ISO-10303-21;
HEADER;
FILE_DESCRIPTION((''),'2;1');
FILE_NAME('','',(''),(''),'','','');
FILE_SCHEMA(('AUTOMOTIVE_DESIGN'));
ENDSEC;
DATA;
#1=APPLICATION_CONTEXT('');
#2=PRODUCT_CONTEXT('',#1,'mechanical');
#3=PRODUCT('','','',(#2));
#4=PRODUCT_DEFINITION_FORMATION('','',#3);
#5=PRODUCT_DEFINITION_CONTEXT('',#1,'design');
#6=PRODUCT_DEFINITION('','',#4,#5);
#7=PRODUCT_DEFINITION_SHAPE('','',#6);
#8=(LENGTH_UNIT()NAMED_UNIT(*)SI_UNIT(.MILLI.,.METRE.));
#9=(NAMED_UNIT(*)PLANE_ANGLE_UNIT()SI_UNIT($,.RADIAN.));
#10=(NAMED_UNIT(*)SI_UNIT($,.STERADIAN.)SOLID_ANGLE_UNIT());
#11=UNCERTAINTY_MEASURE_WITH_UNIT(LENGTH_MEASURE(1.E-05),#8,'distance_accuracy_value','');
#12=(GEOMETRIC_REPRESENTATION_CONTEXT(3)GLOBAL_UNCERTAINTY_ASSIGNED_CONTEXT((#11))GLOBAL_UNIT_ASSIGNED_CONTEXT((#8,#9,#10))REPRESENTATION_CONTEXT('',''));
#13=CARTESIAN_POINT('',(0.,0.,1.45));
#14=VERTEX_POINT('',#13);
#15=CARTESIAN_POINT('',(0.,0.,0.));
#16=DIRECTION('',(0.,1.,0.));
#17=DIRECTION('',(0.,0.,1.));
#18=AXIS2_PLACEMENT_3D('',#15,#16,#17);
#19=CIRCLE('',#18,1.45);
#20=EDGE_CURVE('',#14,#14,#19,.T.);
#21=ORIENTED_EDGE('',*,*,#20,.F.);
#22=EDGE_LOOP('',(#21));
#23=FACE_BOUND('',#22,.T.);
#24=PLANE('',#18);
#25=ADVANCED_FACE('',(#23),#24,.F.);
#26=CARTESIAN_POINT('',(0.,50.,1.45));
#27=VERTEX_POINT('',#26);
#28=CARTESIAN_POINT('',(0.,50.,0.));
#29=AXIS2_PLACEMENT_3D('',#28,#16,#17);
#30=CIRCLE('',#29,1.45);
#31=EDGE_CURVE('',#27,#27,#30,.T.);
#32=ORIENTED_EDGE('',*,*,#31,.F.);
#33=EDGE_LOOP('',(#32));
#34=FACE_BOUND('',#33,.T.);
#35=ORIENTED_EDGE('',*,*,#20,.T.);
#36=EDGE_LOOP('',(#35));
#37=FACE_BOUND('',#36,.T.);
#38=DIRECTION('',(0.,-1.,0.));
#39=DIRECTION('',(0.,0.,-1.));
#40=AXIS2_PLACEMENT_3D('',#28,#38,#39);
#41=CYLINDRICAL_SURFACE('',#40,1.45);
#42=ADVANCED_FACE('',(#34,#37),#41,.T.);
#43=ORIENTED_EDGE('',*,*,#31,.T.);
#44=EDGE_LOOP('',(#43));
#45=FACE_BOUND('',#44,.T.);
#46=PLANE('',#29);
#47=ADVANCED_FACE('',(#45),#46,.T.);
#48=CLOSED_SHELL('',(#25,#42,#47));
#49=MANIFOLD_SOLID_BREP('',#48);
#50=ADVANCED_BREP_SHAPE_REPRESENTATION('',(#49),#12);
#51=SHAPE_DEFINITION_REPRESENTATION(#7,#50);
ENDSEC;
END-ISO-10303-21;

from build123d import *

# Parameters (mm, degrees)
CROQUIS1_R              = 1.45
SALIENTE_EXTRUIR1_DEPTH = 50


with BuildPart() as part:
    # Croquis1 → Saliente-Extruir1 (new body)
    with BuildSketch(Plane(origin=(0, 0, 0), x_dir=(1, 0, 0), z_dir=(0, 1, 0))):
        Circle(CROQUIS1_R)
    extrude(amount=SALIENTE_EXTRUIR1_DEPTH)


solid = part.part
